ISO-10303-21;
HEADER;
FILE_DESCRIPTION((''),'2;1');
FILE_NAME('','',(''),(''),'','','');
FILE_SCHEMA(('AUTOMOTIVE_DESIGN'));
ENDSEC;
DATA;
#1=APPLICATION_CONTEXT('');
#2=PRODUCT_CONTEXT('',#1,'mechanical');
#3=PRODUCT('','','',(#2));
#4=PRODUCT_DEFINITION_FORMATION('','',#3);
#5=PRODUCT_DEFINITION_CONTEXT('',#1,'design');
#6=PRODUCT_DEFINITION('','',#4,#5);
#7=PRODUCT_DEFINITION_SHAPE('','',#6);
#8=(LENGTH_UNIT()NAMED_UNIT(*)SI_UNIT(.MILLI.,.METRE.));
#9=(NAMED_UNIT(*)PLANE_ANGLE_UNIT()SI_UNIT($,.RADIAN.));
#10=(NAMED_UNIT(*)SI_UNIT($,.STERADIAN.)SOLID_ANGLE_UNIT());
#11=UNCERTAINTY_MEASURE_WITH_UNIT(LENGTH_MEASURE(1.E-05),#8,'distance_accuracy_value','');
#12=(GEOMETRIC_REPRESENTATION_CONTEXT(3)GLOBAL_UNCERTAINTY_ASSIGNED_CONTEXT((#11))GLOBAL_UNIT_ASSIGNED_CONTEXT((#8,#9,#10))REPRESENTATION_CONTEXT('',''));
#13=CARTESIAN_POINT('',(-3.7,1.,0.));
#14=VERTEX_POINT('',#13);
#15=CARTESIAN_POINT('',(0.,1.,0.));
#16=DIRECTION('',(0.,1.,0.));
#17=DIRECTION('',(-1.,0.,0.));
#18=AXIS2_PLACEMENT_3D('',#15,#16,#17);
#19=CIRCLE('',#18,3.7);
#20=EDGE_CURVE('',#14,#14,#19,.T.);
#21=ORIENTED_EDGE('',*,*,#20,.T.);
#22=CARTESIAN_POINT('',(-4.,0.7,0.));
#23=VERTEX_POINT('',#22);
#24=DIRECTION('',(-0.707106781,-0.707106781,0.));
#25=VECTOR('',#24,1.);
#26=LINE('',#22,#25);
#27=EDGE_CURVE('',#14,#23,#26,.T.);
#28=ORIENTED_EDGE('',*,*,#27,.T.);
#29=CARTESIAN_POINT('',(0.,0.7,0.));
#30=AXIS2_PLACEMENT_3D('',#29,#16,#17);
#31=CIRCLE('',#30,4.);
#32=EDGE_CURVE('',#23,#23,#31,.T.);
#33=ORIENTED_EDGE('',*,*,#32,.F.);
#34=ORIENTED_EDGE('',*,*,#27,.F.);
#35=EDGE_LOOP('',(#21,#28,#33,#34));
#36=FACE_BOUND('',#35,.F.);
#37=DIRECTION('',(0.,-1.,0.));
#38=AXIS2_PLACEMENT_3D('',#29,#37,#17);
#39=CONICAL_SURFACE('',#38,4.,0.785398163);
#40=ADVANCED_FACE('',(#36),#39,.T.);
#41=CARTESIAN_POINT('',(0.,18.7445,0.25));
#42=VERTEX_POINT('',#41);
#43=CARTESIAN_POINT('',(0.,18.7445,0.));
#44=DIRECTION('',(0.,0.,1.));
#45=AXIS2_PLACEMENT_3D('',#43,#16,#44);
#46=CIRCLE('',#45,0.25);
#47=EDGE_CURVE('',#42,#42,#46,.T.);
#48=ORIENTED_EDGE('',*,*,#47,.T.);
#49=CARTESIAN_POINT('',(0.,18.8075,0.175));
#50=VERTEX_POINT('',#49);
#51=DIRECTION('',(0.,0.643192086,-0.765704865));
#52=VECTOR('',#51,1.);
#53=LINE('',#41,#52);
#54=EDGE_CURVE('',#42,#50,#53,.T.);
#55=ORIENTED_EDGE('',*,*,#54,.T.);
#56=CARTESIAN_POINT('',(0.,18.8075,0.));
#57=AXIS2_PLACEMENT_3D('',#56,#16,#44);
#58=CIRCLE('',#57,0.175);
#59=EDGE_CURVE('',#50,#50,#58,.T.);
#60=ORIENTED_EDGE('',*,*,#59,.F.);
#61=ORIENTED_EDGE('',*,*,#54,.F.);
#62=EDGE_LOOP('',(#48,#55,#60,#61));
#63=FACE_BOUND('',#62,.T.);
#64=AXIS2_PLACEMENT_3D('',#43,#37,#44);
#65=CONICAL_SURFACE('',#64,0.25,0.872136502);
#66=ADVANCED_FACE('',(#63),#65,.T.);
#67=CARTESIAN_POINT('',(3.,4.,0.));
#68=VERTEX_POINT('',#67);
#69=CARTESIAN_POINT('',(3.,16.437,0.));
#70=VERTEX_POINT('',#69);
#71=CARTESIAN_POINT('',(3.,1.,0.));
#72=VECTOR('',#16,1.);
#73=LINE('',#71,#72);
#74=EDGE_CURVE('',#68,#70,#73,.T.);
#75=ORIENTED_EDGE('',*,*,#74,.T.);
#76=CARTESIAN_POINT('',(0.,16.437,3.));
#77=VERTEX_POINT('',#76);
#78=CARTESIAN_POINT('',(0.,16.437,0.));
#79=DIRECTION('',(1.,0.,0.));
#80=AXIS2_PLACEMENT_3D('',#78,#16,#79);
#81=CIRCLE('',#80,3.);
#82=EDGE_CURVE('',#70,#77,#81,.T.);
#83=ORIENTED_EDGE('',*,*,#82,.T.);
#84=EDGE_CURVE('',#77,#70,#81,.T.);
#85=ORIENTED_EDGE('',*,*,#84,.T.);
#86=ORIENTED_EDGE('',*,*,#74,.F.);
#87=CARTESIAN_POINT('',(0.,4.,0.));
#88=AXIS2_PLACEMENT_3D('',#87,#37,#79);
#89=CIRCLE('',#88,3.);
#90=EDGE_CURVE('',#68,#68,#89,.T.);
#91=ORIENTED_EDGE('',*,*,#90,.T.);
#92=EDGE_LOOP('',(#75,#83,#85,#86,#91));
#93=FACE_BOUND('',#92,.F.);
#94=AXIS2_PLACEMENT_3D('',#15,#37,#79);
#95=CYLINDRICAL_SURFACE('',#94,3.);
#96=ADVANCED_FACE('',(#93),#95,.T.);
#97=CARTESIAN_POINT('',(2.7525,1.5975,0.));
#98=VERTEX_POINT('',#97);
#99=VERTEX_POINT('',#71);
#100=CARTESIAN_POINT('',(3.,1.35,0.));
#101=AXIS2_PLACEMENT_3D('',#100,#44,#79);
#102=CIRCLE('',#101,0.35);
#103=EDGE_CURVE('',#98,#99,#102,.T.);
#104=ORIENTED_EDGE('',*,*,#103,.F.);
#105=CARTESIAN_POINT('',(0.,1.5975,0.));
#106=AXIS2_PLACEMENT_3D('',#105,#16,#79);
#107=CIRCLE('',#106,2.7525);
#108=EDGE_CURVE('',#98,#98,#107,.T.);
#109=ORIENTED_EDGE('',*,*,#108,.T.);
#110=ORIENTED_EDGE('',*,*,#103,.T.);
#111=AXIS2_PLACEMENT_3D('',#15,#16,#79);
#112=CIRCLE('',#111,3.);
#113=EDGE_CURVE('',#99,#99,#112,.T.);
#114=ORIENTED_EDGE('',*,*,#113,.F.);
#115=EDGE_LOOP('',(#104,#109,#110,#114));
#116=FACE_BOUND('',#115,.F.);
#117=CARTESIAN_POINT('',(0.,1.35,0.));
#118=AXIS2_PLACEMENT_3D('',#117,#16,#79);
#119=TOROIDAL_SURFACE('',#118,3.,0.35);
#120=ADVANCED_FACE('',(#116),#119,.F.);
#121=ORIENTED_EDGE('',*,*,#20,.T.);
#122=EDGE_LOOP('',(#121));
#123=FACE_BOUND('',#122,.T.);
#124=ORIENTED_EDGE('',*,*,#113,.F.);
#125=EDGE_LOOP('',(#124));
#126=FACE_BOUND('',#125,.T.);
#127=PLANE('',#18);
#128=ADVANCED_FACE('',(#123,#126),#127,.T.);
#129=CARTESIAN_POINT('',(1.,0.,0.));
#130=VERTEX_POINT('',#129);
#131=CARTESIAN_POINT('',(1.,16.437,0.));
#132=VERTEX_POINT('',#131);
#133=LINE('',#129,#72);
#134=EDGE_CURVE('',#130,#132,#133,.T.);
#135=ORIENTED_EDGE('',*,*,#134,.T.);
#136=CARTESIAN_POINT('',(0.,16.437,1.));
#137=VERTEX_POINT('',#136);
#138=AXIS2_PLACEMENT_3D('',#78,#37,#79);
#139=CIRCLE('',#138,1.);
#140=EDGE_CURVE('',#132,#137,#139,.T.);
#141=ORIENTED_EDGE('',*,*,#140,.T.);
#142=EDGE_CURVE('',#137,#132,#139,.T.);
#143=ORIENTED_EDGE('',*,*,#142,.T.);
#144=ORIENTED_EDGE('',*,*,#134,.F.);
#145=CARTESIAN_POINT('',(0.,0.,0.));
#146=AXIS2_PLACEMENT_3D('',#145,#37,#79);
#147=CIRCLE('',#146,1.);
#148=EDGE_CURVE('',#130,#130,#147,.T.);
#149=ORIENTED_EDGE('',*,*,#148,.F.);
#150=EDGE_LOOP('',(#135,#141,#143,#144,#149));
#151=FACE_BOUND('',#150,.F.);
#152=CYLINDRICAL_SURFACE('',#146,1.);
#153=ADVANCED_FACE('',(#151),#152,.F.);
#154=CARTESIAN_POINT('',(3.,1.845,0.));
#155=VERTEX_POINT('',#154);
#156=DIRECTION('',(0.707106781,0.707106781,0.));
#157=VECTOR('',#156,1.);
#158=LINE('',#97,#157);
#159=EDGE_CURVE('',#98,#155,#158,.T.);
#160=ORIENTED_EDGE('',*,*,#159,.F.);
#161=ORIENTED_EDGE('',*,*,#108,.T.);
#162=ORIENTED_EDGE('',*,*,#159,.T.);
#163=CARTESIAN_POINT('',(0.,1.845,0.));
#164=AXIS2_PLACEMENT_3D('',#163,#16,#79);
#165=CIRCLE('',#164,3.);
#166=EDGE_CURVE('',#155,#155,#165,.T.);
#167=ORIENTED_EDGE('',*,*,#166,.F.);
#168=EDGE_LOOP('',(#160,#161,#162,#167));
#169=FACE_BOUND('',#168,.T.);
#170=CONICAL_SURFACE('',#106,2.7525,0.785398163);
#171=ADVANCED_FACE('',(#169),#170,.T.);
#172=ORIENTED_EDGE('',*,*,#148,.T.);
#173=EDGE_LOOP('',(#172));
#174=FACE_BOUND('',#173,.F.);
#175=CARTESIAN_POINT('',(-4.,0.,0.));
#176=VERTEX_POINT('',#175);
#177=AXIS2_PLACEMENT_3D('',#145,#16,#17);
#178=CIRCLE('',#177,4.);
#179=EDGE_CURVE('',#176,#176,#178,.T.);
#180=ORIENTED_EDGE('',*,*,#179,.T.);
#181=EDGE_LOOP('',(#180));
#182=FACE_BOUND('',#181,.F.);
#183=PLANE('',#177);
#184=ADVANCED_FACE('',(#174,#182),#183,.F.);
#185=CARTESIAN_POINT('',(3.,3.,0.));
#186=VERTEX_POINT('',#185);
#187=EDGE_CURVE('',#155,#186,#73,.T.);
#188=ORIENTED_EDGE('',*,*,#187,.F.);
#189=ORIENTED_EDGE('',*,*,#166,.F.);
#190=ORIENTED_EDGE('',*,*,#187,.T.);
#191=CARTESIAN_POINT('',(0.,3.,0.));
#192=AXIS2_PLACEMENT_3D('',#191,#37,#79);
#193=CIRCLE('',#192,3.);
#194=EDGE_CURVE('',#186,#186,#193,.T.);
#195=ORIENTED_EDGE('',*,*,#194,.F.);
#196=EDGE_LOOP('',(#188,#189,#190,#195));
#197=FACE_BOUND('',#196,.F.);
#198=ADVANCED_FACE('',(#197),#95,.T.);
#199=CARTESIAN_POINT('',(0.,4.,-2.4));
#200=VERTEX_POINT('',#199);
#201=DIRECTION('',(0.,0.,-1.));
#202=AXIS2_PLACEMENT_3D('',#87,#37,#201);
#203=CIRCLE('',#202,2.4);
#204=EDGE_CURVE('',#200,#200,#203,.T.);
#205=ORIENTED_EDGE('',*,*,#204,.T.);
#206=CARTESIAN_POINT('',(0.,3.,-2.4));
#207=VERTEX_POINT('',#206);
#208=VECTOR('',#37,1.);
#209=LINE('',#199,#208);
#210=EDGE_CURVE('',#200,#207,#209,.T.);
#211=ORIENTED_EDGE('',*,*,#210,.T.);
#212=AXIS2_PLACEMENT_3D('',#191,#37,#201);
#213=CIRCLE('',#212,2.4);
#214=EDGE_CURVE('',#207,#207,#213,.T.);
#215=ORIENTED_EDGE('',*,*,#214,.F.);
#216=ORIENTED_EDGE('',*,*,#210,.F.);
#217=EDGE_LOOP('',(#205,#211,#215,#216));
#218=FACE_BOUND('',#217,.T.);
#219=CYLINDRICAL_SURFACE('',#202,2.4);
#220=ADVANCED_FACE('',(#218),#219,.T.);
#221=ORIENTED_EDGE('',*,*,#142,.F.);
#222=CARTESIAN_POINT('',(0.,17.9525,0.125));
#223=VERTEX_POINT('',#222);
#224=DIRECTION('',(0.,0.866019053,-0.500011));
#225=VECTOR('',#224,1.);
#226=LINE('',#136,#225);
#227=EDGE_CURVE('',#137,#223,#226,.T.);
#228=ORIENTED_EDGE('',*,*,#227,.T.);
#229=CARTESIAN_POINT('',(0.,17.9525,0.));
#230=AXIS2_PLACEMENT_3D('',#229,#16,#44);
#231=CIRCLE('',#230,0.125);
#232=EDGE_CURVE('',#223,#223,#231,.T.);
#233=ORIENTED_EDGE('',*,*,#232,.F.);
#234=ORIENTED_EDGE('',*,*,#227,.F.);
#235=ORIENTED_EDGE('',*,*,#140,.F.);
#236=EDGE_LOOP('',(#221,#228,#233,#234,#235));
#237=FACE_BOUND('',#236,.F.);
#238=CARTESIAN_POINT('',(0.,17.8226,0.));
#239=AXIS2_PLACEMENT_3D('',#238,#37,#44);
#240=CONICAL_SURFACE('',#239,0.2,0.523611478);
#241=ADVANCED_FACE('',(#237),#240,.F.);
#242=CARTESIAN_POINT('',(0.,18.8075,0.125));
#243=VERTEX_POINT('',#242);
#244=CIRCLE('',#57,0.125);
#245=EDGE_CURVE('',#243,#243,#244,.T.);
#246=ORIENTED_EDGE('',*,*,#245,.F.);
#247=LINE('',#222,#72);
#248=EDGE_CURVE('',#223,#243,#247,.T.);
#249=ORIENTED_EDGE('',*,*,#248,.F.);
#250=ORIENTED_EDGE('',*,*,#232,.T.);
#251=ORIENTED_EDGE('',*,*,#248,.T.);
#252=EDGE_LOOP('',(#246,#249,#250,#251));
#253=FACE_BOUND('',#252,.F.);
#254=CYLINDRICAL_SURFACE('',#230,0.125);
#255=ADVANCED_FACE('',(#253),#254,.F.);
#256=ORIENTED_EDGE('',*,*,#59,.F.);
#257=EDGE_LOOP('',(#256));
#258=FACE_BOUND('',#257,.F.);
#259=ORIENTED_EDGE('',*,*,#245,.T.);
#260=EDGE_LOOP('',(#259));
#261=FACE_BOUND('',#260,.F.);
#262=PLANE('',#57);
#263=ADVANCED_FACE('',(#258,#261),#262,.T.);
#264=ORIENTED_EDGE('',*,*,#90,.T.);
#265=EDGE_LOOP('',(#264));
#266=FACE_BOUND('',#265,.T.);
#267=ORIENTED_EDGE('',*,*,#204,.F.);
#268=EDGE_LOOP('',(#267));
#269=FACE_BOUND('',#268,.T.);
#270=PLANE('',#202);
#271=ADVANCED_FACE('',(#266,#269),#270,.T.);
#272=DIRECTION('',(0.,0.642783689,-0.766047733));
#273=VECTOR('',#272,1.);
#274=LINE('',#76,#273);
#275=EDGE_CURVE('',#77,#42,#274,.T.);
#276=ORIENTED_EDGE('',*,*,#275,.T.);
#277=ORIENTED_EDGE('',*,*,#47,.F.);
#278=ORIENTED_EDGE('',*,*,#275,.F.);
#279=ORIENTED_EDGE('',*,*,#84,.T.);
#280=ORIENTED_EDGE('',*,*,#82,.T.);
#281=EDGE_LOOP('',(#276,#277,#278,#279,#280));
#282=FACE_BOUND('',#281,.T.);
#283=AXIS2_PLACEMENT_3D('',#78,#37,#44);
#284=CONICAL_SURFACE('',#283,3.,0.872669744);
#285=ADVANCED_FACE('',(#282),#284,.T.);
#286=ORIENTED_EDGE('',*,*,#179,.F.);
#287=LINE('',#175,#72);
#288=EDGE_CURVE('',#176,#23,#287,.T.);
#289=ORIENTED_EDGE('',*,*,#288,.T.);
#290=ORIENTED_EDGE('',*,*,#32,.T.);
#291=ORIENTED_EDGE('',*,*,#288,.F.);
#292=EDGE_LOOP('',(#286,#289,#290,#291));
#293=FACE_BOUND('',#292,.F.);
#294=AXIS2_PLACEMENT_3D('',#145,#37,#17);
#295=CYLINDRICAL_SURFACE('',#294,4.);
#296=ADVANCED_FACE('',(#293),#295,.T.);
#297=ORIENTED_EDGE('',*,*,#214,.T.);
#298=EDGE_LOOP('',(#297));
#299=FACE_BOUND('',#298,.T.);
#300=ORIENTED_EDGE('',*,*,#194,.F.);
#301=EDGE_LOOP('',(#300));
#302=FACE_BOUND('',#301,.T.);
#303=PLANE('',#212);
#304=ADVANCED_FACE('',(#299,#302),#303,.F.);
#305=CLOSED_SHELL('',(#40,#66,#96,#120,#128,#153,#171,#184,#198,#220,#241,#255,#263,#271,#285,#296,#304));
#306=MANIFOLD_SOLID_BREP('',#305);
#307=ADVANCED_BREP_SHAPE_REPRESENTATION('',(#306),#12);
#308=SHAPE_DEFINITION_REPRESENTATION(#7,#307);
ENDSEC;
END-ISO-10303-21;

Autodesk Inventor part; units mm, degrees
ref_plane "XZ Plane" through (0, 0, 0) normal (0, 1, 0) x (-1, 0, 0)
sketch "Sketch1" plane through (0, 0, 0) normal (0, 1, 0) x (-1, 0, 0)
  circle A0 centre (0, 0) radius 4
  dimension "d0" = 8
extrude "Extrusion1" add sketch "Sketch1" along normal blind 1
sketch "Sketch2" plane through (0, 1, 0) normal (0, 1, 0) x (1, 0, 0)
  circle A0 centre (0, 0) radius 4 projected
  circle A1 centre (0, 0) radius 3
  dimension "d3" = 6
extrude "Extrusion2" add sketch "Sketch2" along normal blind 15.437 contours A1
sketch "Sketch3" plane through (0, 0, 0) normal (0, -1, 0) x (1, 0, 0)
  circle A0 centre (0, 0) radius 4 projected
  circle A1 centre (0, 0) radius 1
  dimension "d6" = 2
extrude "Extrusion3" cut sketch "Sketch3" against normal blind 21 contours A1
sketch "Sketch4" plane through (0, 0, 0) normal (1, 0, 0) x (0, 1, 0)
  line L0 (1, 3) -> (16.437, 3) projected
  line L1 (1, -3) -> (16.437, -3) projected
  line L2 (0, 0) -> (17, 0)
  line L3 (16.437, 3) -> (18.7445, 0.25)
  line L4 (16.437, -3) -> (16.437, 3) projected
  line L5 (16.437, 0.2) -> (17.8226, 0.2)
  line L6 (17.8226, 0.2) -> (16.437, 1)
  line L7 (0, 1) -> (16.437, 1) projected
  line L8 (16.437, 1) -> (16.437, 3)
  line L9 (17.9525, 0.125) -> (18.8075, 0.125)
  line L10 (17.8226, 0.2) -> (17.9525, 0.125)
  line L11 (18.7445, 0.25) -> (18.8075, 0.175)
  line L12 (18.8075, 0.125) -> (18.8075, 0.175)
  dimension "d9" = 40
  dimension "d10" = 0.2
  dimension "d11" = 30
  dimension "d21" = 0.125
  dimension "d22" = 0.05
revolve "Revolution1" add sketch "Sketch4" angle 360 about axis through (0, 0, 0) along (0, 1, 0) contours L3 L11 L12 L9 L10 L6 L4
sketch "Sketch5" plane through (0, 0, 0) normal (0, 0, 1) x (1, 0, 0)
  circle A0 centre (3, 1.35) radius 0.35
  line L0 (4, 1) -> (-4, 1) projected
  line L1 (3, 3) -> (3, 0)
  line L2 (0, 1.1204) -> (0, 3)
  line L3 (2.7525, 1.5975) -> (3.3734, 2.2184)
  line L4 (3.3734, 2.2184) -> (3.3499, 1.3406)
  point P0 (0, 0)
  dimension "d14" = 0.7
  dimension "d19" = 45
revolve "Revolution2" cut sketch "Sketch5" angle 360 about axis through (0, 1.1204, 0) along (0, 1, 0)
chamfer "Chamfer1" distance 0.3 angle 45 1 edges at (4, 1, 0)
sketch "Sketch6" plane through (0, 0, 0) normal (1, 0, 0) x (0, 1, 0)
  line L0 (1.845, -3) -> (16.437, -3) projected
  line L1 (3, -3) -> (4, -3)
  line L2 (4, -3) -> (4, -2.4)
  line L3 (4, -2.4) -> (3, -2.4)
  line L4 (3, -2.4) -> (3, -3)
  line L5 (0, 4) -> (0, -4) projected
  line L6 (0, 0) -> (-1.7649, 0)
  dimension "d23" = 1
  dimension "d24" = 0.6
  dimension "d25" = 3
revolve "Revolution3" cut sketch "Sketch6" angle 360 about axis through (0, 0, 0) along (0, -1, 0)
properties part number "nozzle0.25" material "Copper"
